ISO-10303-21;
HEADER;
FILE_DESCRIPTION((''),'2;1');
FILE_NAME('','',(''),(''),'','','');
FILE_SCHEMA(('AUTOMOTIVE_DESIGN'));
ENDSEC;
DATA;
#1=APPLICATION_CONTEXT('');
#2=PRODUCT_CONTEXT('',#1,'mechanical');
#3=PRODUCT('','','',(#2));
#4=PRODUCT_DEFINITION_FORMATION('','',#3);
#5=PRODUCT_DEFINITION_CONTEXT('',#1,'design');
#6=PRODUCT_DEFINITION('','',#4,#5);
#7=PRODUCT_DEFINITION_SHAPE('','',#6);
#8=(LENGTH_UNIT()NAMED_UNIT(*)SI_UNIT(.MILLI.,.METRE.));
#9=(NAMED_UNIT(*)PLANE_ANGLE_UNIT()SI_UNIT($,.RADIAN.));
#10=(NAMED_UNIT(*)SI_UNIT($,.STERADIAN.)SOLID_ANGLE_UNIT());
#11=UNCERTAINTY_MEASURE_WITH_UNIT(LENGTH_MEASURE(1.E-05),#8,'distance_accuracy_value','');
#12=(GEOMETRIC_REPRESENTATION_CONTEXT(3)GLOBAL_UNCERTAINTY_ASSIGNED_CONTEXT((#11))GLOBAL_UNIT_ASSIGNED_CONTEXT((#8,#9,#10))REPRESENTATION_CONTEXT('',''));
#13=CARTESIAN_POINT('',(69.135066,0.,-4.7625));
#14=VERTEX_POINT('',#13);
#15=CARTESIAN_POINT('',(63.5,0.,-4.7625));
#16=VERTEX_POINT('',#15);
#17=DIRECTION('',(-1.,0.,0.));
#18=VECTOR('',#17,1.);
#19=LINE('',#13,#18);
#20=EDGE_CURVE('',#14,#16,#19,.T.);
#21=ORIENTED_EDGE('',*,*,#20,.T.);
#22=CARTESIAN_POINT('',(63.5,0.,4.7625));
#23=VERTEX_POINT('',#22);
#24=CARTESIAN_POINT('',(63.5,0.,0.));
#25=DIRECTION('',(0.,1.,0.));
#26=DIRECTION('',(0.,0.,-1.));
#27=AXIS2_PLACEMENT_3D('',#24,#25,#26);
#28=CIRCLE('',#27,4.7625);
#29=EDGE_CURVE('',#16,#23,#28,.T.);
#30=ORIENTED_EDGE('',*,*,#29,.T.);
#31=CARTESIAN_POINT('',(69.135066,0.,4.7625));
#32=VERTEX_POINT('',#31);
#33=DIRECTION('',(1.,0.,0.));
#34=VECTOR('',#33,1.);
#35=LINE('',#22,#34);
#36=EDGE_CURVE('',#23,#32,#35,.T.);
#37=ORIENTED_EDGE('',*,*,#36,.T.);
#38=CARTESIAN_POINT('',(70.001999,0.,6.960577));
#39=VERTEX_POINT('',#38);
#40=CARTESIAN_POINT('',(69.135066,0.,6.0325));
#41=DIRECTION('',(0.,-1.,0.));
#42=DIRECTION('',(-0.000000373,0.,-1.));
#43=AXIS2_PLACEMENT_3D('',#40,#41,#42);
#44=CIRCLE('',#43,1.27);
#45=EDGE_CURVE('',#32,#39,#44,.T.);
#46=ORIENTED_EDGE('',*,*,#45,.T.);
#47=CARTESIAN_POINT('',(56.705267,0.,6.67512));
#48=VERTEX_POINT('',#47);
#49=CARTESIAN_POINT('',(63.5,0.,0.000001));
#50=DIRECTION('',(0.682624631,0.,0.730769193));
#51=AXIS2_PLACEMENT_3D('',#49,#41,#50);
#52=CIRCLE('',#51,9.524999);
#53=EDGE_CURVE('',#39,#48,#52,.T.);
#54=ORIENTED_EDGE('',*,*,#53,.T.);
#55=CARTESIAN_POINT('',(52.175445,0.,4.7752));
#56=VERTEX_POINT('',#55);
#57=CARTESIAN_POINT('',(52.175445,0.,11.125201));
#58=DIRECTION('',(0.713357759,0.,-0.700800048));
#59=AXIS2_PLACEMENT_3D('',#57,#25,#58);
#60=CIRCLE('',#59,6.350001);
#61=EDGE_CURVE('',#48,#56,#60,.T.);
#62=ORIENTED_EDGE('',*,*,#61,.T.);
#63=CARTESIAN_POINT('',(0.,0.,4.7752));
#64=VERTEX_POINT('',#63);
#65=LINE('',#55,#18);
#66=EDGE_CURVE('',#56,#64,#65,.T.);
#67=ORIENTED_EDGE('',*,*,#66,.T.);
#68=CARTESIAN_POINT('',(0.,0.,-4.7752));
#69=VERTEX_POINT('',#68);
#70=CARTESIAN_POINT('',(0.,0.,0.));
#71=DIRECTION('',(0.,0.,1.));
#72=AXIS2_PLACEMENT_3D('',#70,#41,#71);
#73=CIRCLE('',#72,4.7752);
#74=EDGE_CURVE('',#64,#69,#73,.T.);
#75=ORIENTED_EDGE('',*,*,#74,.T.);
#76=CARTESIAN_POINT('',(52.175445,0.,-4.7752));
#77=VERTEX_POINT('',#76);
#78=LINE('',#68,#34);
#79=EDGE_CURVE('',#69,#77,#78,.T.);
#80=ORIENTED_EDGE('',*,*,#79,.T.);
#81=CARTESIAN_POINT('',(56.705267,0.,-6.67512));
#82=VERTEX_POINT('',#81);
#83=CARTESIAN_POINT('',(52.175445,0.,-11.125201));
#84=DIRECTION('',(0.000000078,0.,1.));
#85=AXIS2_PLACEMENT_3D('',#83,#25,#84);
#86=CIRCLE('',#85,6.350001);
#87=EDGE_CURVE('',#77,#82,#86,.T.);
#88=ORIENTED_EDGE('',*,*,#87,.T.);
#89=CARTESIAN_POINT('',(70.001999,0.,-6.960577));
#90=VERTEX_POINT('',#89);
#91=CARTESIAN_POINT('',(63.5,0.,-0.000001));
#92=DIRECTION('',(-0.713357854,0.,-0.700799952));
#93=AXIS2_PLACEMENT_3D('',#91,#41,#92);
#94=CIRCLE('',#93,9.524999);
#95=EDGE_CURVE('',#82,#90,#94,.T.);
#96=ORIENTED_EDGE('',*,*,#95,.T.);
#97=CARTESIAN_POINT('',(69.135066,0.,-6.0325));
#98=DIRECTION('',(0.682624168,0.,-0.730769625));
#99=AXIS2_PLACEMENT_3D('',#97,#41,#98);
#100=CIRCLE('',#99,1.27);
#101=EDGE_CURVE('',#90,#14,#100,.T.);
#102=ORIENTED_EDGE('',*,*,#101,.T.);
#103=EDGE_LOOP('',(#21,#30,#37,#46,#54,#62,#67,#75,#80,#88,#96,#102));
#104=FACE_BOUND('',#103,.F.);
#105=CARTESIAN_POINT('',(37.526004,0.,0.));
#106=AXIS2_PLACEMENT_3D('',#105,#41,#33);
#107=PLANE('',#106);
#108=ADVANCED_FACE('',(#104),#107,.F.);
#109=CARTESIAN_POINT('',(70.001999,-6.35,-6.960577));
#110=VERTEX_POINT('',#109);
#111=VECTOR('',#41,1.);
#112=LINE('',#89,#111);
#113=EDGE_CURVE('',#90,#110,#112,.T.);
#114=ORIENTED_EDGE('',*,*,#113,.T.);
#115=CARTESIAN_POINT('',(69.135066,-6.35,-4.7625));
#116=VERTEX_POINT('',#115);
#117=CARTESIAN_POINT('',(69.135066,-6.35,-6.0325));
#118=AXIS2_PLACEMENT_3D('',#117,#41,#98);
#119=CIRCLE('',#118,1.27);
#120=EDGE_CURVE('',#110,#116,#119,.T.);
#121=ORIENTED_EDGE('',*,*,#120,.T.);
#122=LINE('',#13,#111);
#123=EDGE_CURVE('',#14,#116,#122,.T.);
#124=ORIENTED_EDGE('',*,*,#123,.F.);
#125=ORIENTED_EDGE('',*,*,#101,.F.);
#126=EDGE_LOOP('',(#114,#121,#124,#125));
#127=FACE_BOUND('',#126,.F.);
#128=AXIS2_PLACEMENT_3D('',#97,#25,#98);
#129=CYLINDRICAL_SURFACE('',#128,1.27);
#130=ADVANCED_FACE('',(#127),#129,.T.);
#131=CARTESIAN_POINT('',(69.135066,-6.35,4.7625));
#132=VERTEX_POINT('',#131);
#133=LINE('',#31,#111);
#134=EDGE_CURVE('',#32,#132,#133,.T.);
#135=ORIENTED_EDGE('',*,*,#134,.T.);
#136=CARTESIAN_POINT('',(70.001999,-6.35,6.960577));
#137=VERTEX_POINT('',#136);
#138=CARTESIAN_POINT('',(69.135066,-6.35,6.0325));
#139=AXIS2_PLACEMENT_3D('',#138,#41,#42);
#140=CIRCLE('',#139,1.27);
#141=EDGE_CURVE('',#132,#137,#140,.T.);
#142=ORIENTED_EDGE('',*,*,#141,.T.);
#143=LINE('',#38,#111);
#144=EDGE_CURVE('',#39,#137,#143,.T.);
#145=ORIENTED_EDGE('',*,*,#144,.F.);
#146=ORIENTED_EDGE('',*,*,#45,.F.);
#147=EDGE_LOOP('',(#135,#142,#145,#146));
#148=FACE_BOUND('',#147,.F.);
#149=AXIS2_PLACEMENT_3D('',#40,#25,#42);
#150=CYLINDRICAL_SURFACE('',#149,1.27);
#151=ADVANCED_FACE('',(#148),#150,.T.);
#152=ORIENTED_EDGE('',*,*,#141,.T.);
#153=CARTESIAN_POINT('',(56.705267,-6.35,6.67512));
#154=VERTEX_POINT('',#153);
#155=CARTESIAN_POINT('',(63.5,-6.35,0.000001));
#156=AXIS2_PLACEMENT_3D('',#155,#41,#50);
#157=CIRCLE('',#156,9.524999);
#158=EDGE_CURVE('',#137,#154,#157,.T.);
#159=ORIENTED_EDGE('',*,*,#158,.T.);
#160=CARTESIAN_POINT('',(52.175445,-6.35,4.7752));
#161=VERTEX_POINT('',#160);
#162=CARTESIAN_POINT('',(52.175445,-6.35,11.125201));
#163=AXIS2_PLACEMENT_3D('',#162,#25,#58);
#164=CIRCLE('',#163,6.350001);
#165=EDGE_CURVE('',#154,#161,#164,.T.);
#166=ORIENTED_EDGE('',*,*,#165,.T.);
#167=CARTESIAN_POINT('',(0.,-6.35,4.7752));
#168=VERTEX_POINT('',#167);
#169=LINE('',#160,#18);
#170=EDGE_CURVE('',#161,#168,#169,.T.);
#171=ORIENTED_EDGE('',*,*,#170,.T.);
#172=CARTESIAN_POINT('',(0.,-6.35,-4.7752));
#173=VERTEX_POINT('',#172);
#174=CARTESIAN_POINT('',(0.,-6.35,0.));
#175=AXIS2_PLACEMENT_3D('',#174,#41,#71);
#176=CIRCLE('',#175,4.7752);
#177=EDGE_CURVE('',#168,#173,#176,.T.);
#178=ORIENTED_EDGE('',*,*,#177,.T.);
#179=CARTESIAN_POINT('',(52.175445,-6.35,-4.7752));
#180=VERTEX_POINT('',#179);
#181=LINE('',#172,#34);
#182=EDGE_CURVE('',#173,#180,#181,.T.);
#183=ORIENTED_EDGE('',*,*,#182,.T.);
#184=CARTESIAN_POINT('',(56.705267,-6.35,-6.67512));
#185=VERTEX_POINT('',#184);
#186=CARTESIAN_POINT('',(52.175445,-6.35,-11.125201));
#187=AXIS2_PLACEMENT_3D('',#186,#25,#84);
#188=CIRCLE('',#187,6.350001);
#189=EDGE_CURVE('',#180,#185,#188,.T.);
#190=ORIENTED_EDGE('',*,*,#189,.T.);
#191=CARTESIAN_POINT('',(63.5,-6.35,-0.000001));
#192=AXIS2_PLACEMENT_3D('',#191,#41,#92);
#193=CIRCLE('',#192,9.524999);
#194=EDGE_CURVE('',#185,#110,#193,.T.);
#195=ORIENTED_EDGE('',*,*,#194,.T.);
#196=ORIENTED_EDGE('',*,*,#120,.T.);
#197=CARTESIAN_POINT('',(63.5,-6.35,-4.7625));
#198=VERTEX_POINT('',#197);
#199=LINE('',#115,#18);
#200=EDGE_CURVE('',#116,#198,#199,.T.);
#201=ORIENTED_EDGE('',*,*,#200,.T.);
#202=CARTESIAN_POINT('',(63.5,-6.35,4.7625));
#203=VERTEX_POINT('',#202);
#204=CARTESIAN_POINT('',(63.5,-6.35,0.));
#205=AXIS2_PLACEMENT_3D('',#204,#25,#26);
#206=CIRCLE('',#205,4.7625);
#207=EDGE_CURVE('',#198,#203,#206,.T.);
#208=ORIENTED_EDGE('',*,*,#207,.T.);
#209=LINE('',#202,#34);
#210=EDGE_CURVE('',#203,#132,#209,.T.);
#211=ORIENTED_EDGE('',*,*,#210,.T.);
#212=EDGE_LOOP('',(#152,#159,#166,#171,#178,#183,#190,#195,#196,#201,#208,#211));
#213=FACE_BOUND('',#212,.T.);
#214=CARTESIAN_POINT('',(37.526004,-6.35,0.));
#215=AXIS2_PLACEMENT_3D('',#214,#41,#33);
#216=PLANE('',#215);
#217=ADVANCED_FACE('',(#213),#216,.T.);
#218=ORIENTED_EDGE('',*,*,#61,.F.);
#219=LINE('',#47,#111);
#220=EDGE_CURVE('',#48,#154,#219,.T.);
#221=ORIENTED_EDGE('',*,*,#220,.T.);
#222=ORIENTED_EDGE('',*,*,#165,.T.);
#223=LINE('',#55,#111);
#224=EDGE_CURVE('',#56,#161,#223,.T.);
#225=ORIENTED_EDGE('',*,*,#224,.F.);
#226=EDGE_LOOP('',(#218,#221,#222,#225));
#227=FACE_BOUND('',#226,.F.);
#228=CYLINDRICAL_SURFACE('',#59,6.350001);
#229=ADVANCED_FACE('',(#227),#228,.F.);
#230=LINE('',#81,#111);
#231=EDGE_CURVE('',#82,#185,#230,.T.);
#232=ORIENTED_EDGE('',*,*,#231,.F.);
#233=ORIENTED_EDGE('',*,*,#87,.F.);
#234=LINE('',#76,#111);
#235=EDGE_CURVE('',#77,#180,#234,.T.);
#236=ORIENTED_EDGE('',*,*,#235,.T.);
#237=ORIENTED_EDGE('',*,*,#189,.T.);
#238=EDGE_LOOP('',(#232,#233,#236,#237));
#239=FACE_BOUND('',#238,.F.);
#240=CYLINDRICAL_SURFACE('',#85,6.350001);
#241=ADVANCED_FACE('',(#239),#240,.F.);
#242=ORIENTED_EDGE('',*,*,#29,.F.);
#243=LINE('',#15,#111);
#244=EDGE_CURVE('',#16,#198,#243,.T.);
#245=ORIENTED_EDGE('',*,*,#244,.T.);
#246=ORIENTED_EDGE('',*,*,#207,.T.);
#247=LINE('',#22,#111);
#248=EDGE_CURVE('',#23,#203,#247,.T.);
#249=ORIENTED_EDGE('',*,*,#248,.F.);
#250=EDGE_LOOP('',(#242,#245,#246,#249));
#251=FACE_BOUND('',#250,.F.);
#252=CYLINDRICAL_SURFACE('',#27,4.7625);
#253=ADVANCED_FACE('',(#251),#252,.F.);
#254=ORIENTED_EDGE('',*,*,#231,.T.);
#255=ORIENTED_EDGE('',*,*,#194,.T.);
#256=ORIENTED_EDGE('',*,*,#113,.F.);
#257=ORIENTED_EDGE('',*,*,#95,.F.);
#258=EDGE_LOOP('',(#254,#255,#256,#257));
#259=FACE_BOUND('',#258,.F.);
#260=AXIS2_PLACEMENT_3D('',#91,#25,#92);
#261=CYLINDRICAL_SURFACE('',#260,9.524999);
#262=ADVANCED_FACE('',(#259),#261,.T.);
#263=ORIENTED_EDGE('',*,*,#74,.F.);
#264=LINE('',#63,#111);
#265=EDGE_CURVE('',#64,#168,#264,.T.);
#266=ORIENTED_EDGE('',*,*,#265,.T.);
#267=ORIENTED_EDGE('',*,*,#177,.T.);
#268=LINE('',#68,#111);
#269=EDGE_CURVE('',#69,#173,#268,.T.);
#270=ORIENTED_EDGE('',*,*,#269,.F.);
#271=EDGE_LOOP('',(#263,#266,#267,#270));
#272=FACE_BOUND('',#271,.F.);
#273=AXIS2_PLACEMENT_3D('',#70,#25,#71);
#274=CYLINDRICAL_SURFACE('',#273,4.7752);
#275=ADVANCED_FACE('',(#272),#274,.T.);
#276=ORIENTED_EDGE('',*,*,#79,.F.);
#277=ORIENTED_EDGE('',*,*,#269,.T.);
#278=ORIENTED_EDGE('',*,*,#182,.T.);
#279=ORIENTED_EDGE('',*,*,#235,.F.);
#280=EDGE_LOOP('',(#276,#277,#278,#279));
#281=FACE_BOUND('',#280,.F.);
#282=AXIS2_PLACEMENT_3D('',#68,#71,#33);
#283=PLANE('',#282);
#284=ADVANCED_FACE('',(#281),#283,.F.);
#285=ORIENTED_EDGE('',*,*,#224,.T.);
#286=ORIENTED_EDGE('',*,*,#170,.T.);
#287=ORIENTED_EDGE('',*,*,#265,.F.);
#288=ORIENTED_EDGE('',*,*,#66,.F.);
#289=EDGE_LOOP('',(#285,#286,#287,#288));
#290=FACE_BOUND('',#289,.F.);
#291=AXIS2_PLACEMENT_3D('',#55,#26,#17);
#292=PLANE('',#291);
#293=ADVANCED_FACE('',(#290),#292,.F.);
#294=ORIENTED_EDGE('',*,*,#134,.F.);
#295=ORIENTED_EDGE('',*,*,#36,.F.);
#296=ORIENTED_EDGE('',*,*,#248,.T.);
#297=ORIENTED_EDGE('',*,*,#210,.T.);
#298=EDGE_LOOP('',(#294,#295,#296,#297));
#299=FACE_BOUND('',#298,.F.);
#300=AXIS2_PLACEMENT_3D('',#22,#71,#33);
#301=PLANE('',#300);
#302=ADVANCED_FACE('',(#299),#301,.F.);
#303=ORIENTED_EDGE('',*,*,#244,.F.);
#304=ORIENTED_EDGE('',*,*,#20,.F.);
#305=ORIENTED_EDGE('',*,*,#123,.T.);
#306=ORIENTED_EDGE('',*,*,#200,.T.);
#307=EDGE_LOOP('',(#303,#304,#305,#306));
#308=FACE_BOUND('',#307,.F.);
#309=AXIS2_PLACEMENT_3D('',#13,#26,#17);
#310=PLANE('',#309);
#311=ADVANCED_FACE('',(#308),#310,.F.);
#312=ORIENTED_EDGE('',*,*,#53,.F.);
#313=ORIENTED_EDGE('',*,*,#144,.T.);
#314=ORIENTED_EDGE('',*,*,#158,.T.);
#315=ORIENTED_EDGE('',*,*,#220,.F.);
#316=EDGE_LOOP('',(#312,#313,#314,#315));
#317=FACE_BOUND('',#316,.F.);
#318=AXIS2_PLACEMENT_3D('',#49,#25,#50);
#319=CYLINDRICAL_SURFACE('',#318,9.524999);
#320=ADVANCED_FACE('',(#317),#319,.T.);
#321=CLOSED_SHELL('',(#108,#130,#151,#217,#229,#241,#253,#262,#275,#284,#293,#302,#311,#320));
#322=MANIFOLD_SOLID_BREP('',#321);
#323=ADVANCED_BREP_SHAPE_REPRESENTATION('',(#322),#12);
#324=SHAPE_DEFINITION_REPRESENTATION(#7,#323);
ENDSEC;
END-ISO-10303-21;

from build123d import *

# Parameters (mm, degrees)
F1_DEPTH = 6.35


with BuildPart() as f1:
    # F0 (on Front) → F1 (new body)
    with BuildSketch(Plane.XZ):
        with BuildLine():
            Line((52.175445, 4.7752), (0, 4.7752))
            ThreePointArc((0, 4.7752), (-4.7752, 0), (0, -4.7752))
            Line((0, -4.7752), (52.175445, -4.7752))
            ThreePointArc((52.175445, -4.7752), (54.631508, -5.269412), (56.705267, -6.67512))
            ThreePointArc((56.705267, -6.67512), (63.295562, -9.522806), (70.001999, -6.960577))
            ThreePointArc((70.001999, -6.960577), (70.316497, -5.566537), (69.135066, -4.7625))
            Line((69.135066, -4.7625), (63.5, -4.7625))
            ThreePointArc((63.5, -4.7625), (58.7375, 0), (63.5, 4.7625))
            Line((63.5, 4.7625), (69.135066, 4.7625))
            ThreePointArc((69.135066, 4.7625), (70.316497, 5.566537), (70.001999, 6.960577))
            ThreePointArc((70.001999, 6.960577), (63.295562, 9.522806), (56.705267, 6.67512))
            ThreePointArc((56.705267, 6.67512), (54.631508, 5.269412), (52.175445, 4.7752))
        make_face()
    extrude(amount=F1_DEPTH)


solid = f1.part
